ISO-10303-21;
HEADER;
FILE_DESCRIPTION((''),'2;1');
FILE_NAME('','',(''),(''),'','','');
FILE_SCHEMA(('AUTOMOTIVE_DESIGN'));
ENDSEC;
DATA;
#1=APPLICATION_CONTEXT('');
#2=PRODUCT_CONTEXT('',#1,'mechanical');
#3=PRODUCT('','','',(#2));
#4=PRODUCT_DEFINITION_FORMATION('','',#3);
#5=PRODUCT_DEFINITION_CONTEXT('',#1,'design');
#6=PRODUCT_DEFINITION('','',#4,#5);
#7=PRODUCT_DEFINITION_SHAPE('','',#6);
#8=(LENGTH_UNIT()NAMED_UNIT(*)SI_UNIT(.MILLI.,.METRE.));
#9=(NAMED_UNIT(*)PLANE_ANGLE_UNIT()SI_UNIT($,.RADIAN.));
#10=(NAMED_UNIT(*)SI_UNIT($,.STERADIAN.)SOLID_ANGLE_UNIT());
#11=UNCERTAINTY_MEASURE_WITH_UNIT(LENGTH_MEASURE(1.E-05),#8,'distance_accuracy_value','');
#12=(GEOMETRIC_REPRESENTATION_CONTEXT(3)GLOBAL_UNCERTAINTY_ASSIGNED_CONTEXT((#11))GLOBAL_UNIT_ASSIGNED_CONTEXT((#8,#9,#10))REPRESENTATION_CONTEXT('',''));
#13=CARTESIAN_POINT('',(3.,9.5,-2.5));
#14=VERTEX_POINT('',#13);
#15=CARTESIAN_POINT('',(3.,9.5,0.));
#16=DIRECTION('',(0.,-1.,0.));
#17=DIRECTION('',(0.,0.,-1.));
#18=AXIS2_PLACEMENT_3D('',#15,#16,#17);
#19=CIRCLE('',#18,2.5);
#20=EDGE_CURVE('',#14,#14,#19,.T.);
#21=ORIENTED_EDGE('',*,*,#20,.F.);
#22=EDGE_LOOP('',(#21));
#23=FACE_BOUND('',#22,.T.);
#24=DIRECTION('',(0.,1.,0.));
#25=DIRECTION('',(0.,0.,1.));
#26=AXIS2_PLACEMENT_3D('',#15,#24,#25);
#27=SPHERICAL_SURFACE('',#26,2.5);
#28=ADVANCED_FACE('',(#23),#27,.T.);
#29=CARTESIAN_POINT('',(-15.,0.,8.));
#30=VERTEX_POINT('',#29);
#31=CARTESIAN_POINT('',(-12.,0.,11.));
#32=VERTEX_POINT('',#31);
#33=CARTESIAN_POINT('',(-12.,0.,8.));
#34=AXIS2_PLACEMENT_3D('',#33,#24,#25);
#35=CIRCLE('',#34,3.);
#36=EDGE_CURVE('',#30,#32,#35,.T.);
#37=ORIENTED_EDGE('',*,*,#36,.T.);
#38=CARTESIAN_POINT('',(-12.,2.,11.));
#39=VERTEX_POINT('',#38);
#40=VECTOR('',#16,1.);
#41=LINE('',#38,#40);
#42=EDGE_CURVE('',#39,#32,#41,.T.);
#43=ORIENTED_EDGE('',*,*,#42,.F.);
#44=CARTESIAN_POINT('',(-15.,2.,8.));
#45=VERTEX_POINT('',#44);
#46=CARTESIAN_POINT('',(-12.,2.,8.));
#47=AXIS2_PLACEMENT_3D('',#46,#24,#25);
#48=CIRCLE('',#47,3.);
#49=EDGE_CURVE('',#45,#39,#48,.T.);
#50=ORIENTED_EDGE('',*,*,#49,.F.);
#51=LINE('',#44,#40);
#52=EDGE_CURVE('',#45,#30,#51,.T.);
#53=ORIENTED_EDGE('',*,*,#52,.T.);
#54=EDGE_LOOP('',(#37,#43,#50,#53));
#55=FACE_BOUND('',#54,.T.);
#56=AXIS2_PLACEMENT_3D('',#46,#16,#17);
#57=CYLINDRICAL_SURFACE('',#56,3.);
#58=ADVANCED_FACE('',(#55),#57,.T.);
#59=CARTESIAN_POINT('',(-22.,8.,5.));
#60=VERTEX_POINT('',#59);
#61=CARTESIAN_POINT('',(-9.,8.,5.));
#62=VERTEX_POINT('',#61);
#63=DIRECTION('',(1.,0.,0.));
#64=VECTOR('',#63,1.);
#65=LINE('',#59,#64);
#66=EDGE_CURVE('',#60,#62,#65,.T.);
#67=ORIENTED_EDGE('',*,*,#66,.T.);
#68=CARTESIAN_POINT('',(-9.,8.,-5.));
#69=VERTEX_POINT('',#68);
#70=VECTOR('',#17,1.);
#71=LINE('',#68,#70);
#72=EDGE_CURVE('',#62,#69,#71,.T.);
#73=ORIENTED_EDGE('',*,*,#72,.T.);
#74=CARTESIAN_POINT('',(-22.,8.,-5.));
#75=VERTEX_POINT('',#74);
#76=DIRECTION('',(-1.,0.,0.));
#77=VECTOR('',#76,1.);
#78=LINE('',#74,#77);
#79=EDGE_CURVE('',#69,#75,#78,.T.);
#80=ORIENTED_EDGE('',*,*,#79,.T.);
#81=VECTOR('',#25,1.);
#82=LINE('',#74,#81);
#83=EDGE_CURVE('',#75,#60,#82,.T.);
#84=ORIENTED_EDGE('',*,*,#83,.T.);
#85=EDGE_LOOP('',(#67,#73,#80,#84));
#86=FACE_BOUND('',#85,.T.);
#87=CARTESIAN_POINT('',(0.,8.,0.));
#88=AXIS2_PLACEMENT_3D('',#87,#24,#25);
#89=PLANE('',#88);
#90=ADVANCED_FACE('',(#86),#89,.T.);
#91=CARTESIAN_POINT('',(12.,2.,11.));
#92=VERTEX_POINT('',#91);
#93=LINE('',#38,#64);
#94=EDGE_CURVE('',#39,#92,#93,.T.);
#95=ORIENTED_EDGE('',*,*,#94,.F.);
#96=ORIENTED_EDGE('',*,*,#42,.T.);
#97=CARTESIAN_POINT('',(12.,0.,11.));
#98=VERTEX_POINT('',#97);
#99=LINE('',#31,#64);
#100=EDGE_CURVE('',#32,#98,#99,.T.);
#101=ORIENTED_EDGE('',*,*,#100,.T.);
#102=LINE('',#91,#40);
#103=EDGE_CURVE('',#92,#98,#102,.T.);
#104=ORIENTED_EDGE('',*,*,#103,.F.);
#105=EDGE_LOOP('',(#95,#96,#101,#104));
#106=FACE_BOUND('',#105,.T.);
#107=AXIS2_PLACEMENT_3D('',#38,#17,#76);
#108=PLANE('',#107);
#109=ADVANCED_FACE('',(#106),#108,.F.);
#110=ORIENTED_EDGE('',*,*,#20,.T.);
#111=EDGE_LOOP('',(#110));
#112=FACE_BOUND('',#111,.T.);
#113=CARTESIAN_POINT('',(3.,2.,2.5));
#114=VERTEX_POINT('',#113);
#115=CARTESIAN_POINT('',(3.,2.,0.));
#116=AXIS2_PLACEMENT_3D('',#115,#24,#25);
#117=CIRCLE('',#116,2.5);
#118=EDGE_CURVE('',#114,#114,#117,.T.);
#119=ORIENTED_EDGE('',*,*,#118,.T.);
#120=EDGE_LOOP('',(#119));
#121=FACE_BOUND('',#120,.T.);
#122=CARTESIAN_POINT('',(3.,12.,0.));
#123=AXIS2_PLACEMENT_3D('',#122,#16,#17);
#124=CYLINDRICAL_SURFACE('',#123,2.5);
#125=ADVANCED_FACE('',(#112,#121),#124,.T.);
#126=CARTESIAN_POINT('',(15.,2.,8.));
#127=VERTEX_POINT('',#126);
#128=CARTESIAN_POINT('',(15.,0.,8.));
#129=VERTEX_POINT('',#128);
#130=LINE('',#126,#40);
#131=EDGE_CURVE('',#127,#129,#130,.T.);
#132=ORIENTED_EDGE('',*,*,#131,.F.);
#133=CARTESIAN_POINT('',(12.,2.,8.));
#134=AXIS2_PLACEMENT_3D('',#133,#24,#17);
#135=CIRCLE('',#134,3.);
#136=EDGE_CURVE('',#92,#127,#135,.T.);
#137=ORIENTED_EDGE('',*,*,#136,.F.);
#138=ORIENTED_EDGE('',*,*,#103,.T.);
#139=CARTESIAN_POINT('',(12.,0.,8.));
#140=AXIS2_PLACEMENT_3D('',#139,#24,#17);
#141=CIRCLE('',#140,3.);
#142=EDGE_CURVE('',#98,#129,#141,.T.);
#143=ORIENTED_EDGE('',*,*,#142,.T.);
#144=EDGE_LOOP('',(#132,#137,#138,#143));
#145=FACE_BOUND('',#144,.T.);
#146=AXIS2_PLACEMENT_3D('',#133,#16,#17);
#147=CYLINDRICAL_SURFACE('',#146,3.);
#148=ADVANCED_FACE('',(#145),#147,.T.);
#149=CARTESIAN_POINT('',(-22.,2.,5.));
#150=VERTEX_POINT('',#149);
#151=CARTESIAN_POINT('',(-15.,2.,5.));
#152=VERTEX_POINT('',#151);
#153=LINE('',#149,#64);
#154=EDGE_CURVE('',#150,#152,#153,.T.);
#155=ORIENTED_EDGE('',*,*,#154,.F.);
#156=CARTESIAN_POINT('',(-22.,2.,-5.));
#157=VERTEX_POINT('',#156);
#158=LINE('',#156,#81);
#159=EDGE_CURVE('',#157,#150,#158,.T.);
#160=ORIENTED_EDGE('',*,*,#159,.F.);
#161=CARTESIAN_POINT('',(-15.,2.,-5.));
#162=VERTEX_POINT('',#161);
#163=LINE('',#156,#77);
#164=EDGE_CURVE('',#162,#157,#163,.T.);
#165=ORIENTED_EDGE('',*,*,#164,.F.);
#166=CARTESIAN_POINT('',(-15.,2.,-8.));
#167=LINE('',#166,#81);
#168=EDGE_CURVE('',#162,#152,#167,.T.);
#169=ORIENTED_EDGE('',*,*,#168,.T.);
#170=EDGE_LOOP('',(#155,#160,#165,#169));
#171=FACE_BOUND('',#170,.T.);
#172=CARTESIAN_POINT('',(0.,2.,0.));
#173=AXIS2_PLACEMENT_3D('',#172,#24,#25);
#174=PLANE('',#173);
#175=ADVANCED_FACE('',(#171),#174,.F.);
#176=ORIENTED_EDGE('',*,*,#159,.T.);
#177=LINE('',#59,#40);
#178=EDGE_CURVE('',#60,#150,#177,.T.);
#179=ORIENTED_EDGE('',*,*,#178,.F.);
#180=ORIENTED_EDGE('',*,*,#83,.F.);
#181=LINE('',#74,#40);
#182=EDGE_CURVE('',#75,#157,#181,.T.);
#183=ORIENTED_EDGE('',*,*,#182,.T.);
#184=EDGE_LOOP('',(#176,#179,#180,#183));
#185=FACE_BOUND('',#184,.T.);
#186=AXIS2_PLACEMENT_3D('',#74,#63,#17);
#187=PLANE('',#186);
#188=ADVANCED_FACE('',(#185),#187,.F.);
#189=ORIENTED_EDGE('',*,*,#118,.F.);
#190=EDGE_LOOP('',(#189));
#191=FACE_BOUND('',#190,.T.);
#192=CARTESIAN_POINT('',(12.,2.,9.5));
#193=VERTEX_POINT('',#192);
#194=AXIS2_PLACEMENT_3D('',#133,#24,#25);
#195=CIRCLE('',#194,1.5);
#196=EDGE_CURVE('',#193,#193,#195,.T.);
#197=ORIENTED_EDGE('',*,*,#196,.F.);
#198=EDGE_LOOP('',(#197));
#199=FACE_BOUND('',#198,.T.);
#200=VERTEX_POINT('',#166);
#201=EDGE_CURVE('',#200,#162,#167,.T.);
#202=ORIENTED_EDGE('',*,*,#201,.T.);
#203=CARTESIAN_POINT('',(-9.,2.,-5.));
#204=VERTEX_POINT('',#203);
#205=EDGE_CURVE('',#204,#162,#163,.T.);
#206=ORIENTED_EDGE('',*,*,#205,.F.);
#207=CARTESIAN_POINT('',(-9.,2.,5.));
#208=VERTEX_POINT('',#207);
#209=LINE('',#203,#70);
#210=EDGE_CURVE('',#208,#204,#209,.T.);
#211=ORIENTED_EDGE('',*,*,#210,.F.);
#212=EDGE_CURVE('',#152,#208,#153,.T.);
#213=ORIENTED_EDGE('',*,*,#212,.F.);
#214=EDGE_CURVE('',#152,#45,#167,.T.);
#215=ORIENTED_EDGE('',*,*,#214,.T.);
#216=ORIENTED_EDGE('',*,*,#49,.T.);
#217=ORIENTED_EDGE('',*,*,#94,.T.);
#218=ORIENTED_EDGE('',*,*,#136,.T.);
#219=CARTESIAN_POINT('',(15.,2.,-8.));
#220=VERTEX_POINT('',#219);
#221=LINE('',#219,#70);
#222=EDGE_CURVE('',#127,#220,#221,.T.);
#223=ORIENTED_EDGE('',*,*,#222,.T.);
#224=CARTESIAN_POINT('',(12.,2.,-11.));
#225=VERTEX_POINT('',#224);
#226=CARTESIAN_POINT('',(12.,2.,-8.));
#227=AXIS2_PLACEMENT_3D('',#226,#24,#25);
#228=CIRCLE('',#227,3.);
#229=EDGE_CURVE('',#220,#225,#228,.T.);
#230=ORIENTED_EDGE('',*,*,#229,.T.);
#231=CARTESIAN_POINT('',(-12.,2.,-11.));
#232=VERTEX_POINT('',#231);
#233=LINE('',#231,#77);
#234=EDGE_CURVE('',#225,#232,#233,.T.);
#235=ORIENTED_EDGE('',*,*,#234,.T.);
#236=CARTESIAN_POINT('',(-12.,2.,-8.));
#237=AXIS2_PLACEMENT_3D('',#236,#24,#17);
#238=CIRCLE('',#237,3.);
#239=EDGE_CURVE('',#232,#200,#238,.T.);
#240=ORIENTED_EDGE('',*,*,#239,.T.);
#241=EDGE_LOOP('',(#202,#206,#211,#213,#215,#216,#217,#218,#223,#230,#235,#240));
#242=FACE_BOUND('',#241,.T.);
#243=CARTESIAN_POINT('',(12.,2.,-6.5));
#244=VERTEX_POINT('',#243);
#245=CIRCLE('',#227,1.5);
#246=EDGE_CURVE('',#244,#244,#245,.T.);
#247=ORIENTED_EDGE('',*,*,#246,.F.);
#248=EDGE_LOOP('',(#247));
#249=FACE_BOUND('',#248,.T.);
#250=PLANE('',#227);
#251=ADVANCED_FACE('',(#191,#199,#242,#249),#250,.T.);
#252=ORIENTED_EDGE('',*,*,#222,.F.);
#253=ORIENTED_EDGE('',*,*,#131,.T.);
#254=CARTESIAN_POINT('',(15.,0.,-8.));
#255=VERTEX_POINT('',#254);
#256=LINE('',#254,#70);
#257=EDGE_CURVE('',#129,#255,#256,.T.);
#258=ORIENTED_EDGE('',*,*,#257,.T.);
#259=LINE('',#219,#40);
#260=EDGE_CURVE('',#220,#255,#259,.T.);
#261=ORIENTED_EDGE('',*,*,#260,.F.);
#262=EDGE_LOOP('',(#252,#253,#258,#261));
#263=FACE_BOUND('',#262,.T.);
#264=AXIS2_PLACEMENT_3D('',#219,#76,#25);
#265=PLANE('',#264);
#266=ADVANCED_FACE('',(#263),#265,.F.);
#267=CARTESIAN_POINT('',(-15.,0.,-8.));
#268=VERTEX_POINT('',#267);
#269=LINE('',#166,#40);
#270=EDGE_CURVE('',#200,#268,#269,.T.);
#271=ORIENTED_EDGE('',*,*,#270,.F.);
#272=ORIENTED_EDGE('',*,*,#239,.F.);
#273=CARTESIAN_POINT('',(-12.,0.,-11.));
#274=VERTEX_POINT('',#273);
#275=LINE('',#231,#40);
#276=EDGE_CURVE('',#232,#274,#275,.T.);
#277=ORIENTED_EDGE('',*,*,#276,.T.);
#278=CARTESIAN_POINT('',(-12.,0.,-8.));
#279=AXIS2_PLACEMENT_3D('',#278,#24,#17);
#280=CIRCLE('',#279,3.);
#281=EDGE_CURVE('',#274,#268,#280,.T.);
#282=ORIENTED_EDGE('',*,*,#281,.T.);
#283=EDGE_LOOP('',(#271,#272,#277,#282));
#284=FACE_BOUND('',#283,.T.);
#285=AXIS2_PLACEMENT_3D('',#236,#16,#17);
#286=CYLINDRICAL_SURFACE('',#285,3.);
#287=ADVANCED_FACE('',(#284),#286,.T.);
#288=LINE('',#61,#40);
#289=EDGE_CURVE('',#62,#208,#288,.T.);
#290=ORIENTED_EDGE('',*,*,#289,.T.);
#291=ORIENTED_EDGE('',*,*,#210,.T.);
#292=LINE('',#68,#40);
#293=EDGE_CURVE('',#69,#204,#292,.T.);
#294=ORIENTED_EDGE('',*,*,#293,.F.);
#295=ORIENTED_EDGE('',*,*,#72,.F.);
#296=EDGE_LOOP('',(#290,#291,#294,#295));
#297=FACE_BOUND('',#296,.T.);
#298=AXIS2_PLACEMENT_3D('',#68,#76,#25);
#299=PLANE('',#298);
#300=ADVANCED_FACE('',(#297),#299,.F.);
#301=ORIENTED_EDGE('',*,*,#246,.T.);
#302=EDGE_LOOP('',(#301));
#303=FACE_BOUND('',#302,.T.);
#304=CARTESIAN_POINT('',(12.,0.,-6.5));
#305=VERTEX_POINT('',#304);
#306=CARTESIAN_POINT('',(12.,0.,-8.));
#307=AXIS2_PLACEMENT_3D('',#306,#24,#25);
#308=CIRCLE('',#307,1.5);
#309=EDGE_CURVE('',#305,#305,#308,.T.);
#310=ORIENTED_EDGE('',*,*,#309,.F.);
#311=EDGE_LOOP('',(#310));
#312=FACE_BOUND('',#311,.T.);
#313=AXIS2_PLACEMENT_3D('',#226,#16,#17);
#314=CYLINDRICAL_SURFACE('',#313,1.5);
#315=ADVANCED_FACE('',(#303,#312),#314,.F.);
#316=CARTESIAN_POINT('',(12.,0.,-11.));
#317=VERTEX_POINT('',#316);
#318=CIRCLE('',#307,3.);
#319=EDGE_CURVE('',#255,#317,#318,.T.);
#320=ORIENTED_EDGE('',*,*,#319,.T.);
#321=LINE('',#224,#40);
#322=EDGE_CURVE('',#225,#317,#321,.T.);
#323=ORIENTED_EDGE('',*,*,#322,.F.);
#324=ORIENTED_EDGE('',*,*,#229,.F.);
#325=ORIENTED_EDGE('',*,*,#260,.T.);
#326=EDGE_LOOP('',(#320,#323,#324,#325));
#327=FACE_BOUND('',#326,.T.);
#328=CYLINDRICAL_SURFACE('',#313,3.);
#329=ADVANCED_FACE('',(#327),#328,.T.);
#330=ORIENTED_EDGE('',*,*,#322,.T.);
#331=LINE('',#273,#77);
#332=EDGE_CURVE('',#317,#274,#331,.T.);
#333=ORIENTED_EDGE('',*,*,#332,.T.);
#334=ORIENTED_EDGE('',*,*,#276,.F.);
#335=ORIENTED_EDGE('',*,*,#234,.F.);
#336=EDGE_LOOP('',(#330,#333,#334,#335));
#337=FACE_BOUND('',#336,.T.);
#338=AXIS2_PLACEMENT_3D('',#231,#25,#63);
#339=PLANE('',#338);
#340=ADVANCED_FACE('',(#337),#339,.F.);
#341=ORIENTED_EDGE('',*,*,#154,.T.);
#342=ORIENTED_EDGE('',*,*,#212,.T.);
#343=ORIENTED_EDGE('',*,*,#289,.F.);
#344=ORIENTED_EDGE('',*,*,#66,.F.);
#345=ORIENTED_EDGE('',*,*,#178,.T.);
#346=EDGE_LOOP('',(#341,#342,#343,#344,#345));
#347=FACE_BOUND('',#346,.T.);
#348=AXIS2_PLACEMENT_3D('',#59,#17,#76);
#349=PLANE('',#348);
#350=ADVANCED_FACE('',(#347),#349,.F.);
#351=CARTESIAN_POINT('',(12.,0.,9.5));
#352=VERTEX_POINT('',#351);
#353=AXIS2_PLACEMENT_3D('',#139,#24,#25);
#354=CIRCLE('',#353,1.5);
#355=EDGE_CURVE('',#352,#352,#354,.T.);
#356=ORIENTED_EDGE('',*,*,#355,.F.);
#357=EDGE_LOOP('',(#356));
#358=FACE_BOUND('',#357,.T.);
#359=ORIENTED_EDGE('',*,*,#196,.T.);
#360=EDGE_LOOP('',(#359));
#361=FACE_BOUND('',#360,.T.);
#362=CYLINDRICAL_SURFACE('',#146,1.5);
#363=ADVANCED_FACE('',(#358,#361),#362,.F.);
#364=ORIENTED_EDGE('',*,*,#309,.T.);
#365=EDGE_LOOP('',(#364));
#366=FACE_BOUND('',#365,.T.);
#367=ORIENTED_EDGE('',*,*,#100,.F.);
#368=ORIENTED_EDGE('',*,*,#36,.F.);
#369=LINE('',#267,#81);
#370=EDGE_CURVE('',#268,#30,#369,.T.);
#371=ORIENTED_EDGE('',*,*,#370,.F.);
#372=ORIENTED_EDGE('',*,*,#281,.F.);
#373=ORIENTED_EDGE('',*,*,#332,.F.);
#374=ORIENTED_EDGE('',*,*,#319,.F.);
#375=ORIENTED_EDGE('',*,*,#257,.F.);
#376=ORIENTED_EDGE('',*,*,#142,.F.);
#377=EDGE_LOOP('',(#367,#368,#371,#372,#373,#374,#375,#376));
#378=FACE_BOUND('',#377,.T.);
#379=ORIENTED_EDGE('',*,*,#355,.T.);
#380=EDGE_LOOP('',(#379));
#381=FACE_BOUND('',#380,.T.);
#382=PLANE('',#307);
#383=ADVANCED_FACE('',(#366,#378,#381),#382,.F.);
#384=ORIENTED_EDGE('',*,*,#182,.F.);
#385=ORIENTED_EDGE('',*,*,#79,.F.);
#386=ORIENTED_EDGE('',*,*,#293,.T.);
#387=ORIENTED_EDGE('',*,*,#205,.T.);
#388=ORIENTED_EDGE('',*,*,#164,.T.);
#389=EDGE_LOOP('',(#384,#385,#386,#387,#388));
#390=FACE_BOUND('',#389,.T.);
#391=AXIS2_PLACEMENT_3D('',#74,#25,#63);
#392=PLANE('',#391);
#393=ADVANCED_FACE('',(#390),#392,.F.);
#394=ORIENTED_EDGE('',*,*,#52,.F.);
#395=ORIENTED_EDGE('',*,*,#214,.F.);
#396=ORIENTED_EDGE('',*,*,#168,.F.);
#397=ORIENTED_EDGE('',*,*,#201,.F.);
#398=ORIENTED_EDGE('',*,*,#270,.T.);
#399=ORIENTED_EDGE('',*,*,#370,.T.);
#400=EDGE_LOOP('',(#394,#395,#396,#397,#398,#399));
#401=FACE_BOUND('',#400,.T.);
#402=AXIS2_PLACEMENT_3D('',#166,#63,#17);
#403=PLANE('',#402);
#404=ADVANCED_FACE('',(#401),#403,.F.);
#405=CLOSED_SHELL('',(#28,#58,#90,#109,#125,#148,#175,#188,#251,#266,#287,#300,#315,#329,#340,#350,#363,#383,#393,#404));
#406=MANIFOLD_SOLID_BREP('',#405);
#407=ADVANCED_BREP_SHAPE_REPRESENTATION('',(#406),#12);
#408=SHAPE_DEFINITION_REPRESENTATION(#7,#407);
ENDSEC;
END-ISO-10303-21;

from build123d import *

# Parameters (mm, degrees)
SKETCH1_R           = 1.5
BOSS_EXTRUDE1_DEPTH = 2
SKETCH2_W           = 13
SKETCH2_H           = 10
BOSS_EXTRUDE2_DEPTH = 6
SKETCH3_R           = 2.5
BOSS_EXTRUDE3_DEPTH = 10
FILLET1_R           = 2.5


with BuildPart() as part:
    # Sketch1 → Boss-Extrude1 (new body)
    with BuildSketch(Plane(origin=(0, 0, 0), x_dir=(1, 0, 0), z_dir=(0, 1, 0))):
        with BuildLine():
            Line((-12, 11), (12, 11))
            ThreePointArc((12, 11), (14.121320344, 10.121320344), (15, 8))
            Line((15, 8), (15, -8))
            ThreePointArc((15, -8), (14.121320344, -10.121320344), (12, -11))
            Line((12, -11), (-12, -11))
            ThreePointArc((-12, -11), (-14.121320344, -10.121320344), (-15, -8))
            Line((-15, -8), (-15, 8))
            ThreePointArc((-15, 8), (-14.121320344, 10.121320344), (-12, 11))
        make_face()
        with Locations(Location((12, 8, 0), (0, 0, 270))):
            Circle(SKETCH1_R, mode=Mode.SUBTRACT)
        with Locations(Location((12, -8, 0), (0, 0, 270))):
            Circle(SKETCH1_R, mode=Mode.SUBTRACT)
    extrude(amount=BOSS_EXTRUDE1_DEPTH)

    # Sketch2 → Boss-Extrude2 (add)
    with BuildSketch(Plane(origin=(0, 2, 0), x_dir=(1, 0, 0), z_dir=(0, 1, 0))):
        with Locations((-15.5, 0)):
            Rectangle(SKETCH2_W, SKETCH2_H)
    extrude(amount=BOSS_EXTRUDE2_DEPTH)

    # Sketch3 → Boss-Extrude3 (add)
    with BuildSketch(Plane(origin=(0, 2, 0), x_dir=(1, 0, 0), z_dir=(0, 1, 0))):
        with Locations(Location((3, 0, 0), (0, 0, 270))):
            Circle(SKETCH3_R)
    extrude(amount=BOSS_EXTRUDE3_DEPTH)

    # Fillet1
    fillet1_edges = [part.edges().sort_by_distance(p)[0] for p in [
        (3, 12, -2.5),
    ]]
    fillet(fillet1_edges, radius=FILLET1_R)


solid = part.part
